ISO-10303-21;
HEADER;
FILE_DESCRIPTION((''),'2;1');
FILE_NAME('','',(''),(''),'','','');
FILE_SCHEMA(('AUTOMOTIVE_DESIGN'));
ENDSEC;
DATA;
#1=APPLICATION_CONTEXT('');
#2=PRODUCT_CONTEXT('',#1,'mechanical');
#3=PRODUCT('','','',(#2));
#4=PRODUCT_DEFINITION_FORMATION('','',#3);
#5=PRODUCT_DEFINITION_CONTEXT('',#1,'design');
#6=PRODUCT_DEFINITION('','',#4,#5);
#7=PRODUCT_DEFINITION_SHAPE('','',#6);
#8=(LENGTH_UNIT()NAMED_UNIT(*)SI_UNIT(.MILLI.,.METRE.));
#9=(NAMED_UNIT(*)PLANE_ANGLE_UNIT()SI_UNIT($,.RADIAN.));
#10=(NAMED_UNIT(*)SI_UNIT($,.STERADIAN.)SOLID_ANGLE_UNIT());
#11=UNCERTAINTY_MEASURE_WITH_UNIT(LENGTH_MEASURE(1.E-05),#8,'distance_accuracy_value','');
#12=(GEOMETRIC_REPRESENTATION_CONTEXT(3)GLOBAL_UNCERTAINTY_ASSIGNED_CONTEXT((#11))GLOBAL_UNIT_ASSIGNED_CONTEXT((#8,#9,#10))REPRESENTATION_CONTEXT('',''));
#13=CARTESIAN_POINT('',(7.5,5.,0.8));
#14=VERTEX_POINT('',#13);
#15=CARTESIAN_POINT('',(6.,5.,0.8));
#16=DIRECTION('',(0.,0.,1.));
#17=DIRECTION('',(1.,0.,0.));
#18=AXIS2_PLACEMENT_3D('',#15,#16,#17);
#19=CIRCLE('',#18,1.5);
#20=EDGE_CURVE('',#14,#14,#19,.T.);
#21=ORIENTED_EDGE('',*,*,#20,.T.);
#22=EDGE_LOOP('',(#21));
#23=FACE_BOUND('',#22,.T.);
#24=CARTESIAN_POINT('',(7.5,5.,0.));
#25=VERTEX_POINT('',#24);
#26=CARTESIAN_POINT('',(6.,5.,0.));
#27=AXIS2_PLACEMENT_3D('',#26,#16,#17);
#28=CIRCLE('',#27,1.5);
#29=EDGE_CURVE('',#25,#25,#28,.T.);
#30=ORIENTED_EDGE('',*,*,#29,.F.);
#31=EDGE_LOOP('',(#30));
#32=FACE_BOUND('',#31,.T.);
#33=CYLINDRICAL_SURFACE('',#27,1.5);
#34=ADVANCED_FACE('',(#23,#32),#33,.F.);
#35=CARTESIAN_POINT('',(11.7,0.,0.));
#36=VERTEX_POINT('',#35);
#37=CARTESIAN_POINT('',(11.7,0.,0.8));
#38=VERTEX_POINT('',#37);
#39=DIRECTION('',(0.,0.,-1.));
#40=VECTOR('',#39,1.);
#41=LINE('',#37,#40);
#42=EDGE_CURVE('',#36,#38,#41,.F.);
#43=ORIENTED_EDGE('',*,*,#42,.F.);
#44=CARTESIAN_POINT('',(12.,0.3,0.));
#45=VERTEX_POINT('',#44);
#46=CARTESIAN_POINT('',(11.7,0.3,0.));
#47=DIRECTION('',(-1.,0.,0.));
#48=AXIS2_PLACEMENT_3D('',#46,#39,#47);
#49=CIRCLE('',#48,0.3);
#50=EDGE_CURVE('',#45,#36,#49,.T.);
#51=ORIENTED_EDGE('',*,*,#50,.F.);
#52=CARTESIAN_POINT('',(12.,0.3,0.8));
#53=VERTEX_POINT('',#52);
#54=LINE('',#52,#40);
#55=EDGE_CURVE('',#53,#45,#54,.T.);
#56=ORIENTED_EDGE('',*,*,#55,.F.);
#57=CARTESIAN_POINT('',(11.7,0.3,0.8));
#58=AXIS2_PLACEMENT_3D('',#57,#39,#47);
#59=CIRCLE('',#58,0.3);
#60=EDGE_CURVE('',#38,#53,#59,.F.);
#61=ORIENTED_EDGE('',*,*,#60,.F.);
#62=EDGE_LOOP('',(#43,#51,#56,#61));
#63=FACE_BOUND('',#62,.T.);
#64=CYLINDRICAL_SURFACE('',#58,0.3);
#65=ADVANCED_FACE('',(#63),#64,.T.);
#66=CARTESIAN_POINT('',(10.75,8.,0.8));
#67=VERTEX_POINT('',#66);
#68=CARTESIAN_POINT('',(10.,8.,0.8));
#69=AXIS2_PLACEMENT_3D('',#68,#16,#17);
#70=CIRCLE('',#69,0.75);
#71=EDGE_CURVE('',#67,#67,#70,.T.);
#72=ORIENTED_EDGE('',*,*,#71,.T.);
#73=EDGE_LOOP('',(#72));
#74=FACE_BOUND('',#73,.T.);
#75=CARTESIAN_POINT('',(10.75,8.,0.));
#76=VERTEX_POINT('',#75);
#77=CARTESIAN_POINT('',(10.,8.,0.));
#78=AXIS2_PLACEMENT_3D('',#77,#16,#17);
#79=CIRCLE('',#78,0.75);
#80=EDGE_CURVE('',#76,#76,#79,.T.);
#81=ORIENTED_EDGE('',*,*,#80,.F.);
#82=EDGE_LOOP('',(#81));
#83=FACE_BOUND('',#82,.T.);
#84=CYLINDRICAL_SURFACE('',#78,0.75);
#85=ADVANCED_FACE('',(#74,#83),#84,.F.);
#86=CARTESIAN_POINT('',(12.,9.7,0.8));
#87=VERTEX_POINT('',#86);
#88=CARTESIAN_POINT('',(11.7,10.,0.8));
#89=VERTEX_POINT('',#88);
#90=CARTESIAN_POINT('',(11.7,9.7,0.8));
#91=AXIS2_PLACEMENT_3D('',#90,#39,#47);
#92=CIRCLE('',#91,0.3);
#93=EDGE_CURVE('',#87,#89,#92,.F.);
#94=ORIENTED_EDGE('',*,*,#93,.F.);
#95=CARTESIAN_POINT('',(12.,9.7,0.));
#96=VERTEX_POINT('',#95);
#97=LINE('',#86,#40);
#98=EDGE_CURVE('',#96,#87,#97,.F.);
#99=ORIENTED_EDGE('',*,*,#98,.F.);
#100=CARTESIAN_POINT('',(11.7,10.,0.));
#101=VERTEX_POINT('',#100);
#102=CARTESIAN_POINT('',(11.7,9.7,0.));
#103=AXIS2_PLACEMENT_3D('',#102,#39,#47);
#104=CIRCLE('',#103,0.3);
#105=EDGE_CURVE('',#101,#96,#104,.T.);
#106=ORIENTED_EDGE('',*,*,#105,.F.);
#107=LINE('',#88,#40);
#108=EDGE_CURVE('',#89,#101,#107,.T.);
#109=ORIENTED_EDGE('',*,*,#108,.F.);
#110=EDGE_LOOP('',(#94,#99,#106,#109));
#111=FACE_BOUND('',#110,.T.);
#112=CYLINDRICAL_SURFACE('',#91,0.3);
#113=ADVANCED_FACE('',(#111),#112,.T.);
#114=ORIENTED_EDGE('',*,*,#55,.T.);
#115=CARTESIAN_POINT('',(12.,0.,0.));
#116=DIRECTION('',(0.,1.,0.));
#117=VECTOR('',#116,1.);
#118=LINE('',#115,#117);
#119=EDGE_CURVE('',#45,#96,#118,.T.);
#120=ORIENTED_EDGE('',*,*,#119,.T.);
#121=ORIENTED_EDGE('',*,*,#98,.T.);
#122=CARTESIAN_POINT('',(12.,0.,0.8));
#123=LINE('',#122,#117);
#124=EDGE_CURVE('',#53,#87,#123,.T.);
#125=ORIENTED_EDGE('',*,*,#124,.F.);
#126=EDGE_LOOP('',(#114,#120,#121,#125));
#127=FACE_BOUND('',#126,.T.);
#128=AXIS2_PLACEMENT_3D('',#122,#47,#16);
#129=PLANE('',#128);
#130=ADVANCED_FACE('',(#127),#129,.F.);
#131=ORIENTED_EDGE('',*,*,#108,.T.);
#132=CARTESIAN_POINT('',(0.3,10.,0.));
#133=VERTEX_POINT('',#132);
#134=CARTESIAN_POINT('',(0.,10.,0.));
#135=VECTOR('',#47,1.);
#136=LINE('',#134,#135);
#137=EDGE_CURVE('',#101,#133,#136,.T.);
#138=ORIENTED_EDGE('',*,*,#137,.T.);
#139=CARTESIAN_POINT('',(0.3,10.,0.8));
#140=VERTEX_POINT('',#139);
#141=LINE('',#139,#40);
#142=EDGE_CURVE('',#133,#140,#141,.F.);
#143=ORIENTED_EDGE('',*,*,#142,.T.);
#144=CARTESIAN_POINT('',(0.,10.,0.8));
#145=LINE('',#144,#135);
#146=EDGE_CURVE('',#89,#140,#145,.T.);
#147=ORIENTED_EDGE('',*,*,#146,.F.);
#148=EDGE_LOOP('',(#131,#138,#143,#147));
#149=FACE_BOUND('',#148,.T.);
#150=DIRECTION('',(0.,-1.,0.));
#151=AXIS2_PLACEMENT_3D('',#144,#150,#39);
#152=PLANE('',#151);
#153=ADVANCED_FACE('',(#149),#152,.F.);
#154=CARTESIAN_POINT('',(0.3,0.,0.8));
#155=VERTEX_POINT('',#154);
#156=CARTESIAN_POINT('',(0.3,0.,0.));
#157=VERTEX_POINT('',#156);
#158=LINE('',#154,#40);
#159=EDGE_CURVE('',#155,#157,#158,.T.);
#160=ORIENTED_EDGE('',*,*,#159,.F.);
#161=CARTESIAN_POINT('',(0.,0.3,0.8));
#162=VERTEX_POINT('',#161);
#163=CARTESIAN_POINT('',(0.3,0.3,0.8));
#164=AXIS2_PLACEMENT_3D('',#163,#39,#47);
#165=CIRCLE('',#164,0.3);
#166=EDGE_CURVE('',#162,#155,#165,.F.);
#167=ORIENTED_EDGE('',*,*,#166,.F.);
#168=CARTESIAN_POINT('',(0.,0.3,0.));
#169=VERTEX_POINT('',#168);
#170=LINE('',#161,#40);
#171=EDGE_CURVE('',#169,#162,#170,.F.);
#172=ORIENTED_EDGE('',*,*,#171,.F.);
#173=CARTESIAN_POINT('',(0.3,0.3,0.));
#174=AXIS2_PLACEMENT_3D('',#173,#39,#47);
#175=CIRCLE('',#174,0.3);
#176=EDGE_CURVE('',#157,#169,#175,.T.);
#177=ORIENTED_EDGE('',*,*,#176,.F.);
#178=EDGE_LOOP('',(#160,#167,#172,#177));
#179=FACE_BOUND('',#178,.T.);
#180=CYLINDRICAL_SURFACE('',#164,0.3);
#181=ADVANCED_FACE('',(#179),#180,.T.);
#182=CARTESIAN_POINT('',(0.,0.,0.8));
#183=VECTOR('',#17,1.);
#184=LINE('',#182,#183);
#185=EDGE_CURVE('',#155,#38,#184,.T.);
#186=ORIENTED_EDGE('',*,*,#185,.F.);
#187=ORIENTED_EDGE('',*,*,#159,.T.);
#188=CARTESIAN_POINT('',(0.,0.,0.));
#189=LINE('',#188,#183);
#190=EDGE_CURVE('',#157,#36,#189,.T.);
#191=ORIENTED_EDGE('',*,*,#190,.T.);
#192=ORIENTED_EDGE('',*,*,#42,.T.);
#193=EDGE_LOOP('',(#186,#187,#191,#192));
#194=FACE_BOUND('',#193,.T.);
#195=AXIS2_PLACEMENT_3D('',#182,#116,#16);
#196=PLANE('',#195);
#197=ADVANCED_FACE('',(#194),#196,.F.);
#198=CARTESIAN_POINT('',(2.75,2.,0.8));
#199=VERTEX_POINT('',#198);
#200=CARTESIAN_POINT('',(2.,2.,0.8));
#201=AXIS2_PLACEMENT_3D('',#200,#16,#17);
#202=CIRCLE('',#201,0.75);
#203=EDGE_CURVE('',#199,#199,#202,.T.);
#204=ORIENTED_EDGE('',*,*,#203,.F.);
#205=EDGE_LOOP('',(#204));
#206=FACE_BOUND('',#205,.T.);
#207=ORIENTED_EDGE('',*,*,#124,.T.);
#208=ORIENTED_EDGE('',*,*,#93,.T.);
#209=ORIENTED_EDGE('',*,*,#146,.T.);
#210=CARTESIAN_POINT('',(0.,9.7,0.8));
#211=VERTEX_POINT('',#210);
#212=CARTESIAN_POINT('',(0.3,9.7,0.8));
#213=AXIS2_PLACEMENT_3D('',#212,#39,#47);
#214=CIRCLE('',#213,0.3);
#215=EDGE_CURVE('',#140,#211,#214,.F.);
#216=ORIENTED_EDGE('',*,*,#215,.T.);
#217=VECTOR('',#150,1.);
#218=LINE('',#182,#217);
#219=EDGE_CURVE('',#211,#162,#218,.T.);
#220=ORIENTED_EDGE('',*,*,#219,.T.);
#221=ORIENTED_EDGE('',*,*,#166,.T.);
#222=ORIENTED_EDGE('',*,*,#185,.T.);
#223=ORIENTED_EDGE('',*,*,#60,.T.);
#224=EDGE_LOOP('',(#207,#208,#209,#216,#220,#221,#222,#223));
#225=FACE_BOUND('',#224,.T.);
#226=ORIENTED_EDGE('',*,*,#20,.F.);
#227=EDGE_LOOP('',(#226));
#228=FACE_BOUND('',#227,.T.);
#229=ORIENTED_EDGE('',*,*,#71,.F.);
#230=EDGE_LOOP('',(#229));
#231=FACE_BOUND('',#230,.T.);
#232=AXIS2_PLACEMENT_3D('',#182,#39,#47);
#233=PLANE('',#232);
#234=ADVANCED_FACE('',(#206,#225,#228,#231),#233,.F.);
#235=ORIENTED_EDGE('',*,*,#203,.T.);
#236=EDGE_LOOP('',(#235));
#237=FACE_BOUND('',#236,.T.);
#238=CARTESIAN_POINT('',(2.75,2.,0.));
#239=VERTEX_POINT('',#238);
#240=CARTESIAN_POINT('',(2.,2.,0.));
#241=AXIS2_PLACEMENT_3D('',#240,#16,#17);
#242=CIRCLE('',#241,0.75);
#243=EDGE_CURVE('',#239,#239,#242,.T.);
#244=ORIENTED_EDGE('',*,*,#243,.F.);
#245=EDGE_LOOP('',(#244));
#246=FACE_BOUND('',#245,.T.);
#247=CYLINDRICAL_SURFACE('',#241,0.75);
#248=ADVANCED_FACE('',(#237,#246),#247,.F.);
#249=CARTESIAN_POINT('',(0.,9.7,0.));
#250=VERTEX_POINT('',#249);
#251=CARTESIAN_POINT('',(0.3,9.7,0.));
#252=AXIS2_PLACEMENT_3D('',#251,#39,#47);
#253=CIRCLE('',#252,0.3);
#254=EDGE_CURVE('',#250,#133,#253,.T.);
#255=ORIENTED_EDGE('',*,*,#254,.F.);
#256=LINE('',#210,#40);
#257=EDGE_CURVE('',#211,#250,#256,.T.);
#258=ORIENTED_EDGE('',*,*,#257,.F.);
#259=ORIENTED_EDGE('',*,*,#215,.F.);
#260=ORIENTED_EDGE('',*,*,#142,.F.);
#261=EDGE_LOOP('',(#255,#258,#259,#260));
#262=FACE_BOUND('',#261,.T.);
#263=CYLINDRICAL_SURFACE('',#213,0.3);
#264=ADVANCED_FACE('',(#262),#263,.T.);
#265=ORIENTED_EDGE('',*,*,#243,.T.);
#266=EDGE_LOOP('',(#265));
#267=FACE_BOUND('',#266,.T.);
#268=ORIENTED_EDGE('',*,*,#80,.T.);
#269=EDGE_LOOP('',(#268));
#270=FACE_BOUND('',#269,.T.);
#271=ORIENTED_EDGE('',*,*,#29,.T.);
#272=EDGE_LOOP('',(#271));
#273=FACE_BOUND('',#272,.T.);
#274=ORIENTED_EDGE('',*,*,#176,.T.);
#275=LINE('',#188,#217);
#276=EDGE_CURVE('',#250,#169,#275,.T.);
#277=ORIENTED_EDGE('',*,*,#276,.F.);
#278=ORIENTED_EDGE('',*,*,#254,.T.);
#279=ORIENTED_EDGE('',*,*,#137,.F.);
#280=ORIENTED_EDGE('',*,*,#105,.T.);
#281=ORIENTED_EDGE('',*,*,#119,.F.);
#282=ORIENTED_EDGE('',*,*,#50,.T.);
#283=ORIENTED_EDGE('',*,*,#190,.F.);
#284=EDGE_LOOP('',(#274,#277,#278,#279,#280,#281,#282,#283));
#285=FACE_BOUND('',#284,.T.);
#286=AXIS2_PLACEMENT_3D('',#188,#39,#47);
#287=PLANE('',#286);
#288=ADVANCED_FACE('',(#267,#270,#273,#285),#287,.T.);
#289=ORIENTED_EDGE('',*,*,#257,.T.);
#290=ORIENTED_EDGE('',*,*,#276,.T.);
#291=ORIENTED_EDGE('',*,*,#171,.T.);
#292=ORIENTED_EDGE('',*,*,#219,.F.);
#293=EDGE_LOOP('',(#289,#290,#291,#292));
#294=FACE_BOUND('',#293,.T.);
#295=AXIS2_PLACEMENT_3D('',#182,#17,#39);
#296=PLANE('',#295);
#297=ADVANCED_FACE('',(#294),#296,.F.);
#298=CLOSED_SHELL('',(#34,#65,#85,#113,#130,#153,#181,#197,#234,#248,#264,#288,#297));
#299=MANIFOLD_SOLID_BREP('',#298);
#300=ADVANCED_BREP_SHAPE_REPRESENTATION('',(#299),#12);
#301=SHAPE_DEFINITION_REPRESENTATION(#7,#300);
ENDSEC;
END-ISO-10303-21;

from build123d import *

# Parameters (mm, degrees)
SKIZZE1_W                       = 12
SKIZZE1_H                       = 10
AUFSATZ_LINEAR_AUSTRAGEN1_DEPTH = 0.8
SKIZZE2_R                       = 0.75
SKIZZE2_R_2                     = 1.5
SCHNITT_LINEAR_AUSTRAGEN1_DEPTH = 16.640971837
VERRUNDUNG1_R                   = 0.3


with BuildPart() as part:
    # Skizze1 → Aufsatz-Linear austragen1 (new body)
    with BuildSketch(Plane.XY):
        with Locations((6, 5)):
            Rectangle(SKIZZE1_W, SKIZZE1_H)
    extrude(amount=AUFSATZ_LINEAR_AUSTRAGEN1_DEPTH)

    # Skizze2 → Schnitt-Linear austragen1 (cut, through all)
    with BuildSketch(Plane.XY.offset(0.8)):
        with Locations((2, 2)):
            Circle(SKIZZE2_R)
        with Locations((6, 5)):
            Circle(SKIZZE2_R_2)
        with Locations((10, 8)):
            Circle(SKIZZE2_R)
    extrude(amount=-SCHNITT_LINEAR_AUSTRAGEN1_DEPTH, mode=Mode.SUBTRACT)

    # Verrundung1
    verrundung1_edges = [part.edges().sort_by_distance(p)[0] for p in [
        (0, 10, 0.4),
        (12, 10, 0.4),
        (12, 0, 0.4),
        (0, 0, 0.4),
    ]]
    fillet(verrundung1_edges, radius=VERRUNDUNG1_R)


solid = part.part
